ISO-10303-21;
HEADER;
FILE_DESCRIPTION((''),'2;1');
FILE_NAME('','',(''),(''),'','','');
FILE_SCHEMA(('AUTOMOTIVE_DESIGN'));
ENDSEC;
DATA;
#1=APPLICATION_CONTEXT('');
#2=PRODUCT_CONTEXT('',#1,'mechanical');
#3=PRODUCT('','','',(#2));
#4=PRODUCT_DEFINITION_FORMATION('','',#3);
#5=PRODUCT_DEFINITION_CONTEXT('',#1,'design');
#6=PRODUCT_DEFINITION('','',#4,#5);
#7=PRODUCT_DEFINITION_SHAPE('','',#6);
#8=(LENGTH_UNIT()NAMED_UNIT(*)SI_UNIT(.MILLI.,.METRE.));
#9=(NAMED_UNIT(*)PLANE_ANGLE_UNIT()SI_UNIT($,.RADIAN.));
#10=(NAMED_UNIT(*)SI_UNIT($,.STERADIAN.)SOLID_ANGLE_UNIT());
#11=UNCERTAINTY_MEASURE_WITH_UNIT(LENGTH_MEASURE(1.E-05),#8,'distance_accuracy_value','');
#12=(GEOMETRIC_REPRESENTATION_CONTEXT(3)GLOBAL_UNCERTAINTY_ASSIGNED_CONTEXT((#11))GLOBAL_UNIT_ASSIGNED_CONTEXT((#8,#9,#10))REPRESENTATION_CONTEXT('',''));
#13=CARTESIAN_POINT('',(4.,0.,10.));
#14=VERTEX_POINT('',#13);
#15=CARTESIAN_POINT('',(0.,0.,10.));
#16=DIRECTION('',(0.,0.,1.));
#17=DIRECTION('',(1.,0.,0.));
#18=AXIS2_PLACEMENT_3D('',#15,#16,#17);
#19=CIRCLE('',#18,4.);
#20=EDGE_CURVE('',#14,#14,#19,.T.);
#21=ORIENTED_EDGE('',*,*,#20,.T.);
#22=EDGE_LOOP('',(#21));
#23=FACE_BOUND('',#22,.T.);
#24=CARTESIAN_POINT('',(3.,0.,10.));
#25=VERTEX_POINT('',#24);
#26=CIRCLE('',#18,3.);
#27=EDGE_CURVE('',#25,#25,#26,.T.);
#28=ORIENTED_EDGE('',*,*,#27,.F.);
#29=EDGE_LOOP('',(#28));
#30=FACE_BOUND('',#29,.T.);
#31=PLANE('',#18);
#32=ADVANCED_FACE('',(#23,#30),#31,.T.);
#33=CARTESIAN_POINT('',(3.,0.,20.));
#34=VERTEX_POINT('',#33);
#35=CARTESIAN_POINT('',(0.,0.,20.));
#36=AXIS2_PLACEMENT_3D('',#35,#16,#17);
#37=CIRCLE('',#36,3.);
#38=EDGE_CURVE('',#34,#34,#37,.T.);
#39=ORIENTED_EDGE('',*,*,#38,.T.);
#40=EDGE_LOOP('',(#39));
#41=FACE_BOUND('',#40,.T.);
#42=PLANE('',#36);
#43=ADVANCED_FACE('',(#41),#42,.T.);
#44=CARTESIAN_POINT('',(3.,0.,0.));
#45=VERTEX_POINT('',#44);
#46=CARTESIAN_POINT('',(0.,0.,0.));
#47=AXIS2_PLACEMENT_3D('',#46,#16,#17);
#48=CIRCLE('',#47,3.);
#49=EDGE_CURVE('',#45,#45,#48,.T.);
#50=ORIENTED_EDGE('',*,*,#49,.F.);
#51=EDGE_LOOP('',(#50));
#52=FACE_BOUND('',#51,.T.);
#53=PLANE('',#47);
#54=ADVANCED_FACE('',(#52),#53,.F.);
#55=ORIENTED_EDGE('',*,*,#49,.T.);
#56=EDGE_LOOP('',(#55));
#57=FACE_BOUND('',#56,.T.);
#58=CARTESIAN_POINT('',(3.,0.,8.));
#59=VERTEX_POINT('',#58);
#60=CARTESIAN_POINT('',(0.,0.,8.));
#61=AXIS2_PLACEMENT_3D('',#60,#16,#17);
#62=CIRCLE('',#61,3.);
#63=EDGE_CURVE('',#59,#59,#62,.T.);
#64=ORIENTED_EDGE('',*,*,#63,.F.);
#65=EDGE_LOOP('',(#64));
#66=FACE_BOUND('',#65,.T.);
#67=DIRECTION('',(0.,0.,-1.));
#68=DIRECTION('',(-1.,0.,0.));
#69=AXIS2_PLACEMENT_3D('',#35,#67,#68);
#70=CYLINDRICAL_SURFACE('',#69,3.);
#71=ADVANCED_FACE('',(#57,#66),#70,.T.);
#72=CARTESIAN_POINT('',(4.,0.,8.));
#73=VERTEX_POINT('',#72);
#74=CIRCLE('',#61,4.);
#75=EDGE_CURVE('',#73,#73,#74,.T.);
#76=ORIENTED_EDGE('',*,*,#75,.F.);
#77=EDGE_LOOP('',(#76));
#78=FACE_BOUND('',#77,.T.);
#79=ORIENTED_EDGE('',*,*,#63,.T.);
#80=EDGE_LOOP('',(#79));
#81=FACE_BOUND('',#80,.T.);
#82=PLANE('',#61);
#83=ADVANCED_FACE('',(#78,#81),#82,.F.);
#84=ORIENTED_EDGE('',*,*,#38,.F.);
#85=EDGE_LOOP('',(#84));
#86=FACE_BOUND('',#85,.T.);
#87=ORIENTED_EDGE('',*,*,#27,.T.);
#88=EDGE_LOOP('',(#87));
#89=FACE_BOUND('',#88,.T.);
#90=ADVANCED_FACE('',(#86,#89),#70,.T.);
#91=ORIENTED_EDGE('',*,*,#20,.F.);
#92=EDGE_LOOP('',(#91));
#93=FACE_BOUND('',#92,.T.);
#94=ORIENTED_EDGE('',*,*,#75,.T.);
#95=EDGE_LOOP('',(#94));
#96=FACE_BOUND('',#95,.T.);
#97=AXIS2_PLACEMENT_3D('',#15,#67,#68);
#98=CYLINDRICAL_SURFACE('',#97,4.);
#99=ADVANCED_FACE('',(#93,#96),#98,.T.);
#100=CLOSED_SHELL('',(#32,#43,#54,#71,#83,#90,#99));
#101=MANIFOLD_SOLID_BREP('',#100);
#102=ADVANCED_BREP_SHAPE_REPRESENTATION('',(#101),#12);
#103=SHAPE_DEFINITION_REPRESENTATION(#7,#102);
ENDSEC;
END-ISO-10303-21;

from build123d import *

# Parameters (mm, degrees)
SKETCH2_R              = 3
LOCATOR_SHAFT_DEPTH    = 20
LOCATOR_SHOULDER_START = 8
SKETCH3_R              = 4
LOCATOR_SHOULDER_DEPTH = 2


with BuildPart() as part:
    # Sketch2 → Locator_shaft (new body)
    with BuildSketch(Plane.XY):
        Circle(SKETCH2_R)
    extrude(amount=LOCATOR_SHAFT_DEPTH)

    # Sketch3 → Locator_shoulder (add)
    with BuildSketch(Plane.XY.offset(LOCATOR_SHOULDER_START)):
        Circle(SKETCH3_R)
    extrude(amount=LOCATOR_SHOULDER_DEPTH)


solid = part.part
